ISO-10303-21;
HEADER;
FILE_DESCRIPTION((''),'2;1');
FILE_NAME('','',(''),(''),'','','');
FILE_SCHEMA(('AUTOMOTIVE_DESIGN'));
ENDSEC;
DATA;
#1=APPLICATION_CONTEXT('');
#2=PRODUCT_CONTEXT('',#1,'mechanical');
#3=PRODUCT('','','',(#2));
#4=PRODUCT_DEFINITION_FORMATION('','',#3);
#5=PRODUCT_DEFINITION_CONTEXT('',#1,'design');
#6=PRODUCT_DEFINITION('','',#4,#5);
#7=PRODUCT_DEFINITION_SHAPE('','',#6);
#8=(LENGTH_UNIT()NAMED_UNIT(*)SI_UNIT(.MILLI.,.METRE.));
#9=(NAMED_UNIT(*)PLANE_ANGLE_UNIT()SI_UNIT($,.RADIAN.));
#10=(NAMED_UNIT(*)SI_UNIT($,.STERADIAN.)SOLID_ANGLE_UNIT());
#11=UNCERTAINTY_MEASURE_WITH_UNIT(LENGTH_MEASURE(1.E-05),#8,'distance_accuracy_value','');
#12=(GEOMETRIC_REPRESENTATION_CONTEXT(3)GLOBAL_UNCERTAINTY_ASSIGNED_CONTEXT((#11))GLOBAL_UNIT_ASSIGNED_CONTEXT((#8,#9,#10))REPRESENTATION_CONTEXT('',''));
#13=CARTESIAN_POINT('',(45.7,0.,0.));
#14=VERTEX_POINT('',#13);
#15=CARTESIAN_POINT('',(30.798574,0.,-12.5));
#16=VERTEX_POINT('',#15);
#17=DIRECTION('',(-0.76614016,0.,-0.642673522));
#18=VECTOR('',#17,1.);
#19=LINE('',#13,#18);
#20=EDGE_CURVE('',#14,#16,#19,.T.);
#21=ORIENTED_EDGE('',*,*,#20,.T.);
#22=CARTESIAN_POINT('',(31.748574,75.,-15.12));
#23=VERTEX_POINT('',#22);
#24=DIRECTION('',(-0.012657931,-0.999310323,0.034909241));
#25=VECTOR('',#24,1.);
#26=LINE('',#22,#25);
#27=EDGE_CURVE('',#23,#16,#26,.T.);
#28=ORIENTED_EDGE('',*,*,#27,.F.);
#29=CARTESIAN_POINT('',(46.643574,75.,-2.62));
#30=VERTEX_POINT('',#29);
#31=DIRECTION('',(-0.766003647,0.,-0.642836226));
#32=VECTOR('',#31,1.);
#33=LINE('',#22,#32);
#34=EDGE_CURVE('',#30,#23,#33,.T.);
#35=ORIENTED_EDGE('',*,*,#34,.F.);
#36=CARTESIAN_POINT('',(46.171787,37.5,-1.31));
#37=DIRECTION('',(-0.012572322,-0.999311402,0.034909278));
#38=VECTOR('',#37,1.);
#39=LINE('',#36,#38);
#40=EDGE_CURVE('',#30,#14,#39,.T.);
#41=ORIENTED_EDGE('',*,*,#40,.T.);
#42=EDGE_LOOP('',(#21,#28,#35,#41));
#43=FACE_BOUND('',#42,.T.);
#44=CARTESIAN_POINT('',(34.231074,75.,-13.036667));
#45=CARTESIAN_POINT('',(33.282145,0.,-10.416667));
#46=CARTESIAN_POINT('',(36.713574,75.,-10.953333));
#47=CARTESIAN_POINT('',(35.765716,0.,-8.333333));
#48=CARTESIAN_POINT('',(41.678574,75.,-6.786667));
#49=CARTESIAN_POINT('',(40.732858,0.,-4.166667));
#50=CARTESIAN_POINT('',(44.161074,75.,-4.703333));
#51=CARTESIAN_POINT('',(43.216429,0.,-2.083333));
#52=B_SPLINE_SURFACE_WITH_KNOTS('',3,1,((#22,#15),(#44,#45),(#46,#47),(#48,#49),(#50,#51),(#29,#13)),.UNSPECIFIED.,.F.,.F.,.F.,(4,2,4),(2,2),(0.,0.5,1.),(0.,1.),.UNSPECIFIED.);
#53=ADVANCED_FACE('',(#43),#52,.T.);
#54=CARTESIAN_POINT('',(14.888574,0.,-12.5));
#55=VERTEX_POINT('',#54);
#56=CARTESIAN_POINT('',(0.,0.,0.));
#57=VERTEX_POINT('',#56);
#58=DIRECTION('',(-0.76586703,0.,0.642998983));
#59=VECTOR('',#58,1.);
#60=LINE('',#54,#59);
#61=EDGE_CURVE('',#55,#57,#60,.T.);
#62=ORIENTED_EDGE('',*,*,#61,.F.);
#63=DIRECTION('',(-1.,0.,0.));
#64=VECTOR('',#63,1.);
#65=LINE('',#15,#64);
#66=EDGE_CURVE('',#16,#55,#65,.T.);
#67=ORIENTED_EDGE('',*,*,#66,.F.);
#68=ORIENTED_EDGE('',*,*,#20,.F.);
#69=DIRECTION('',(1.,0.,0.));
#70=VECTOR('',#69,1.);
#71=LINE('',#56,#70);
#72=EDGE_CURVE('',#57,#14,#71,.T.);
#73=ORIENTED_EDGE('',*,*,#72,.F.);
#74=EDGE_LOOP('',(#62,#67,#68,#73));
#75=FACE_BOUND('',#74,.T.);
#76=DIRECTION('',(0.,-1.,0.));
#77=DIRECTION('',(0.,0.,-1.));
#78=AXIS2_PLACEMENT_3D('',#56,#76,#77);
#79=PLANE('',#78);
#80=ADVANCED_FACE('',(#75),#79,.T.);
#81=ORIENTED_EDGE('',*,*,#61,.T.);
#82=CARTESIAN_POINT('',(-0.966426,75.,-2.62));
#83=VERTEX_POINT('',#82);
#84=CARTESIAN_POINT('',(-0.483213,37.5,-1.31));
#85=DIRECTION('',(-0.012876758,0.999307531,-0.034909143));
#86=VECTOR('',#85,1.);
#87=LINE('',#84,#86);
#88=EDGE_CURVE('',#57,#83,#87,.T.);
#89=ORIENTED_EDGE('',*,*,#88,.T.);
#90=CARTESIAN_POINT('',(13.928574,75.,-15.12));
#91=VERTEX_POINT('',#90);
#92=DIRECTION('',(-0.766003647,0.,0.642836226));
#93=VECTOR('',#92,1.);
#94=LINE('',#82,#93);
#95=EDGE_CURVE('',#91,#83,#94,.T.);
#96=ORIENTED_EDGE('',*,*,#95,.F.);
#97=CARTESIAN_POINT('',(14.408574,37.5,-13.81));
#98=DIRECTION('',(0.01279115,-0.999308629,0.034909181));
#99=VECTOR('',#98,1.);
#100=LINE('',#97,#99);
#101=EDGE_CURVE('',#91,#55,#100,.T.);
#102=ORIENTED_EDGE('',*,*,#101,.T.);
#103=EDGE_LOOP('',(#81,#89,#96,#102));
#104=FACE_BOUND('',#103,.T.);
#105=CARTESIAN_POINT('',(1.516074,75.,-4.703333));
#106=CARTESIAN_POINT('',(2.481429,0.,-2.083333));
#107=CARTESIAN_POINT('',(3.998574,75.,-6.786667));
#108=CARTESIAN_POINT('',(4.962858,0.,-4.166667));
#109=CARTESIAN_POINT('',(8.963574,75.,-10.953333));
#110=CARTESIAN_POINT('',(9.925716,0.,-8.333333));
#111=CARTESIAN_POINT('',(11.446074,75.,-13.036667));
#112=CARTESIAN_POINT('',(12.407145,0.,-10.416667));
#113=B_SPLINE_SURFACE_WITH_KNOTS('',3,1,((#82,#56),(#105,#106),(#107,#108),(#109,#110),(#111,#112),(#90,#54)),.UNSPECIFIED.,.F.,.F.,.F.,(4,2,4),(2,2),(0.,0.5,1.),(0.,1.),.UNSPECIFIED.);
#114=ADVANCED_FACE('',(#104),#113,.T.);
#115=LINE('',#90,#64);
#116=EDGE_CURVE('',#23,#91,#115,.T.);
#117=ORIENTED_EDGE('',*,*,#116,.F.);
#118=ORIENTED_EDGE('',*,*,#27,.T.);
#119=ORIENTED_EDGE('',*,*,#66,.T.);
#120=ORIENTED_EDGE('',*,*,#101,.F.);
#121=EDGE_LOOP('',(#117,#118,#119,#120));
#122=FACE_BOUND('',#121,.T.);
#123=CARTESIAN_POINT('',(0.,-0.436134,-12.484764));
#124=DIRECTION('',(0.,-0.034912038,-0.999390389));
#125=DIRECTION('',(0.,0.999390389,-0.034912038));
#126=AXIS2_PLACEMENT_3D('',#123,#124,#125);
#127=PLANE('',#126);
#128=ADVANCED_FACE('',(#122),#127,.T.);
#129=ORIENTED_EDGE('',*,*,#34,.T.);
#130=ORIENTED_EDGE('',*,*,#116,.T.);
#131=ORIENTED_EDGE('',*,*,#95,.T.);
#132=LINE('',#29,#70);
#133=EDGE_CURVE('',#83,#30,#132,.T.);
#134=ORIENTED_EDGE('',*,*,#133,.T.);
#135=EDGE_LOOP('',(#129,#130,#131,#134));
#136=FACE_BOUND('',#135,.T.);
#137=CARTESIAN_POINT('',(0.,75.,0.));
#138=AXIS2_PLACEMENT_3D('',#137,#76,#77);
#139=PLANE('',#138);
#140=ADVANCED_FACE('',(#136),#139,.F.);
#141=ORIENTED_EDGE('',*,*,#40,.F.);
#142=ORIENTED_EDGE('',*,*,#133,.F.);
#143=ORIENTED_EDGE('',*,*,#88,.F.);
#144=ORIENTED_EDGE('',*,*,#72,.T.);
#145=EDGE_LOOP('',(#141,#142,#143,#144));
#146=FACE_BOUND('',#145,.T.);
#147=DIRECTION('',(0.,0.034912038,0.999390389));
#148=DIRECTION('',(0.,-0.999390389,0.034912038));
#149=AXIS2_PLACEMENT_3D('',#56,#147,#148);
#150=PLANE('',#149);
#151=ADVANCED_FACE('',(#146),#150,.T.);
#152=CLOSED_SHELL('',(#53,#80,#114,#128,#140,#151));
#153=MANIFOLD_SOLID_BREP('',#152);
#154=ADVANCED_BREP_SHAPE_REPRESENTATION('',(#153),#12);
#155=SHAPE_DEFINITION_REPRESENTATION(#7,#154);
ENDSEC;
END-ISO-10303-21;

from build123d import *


with BuildPart() as part:
    # Croquis2 → Recubrir1 section 0
    with BuildSketch(Plane(origin=(0, 75, 0), x_dir=(1, 0, 0), z_dir=(0, 1, 0))):
        Polygon((13.928573894, 15.12), (31.748573894, 15.12), (46.643573894, 2.62), (-0.966426106, 2.62), align=None)
    # Croquis1 → Recubrir1 section 1
    with BuildSketch(Plane(origin=(0, 0, 0), x_dir=(1, 0, 0), z_dir=(0, 1, 0))):
        Polygon((0, 0), (45.7, 0), (30.798573894, 12.5), (14.888573894, 12.5), align=None)
    loft()


solid = part.part
